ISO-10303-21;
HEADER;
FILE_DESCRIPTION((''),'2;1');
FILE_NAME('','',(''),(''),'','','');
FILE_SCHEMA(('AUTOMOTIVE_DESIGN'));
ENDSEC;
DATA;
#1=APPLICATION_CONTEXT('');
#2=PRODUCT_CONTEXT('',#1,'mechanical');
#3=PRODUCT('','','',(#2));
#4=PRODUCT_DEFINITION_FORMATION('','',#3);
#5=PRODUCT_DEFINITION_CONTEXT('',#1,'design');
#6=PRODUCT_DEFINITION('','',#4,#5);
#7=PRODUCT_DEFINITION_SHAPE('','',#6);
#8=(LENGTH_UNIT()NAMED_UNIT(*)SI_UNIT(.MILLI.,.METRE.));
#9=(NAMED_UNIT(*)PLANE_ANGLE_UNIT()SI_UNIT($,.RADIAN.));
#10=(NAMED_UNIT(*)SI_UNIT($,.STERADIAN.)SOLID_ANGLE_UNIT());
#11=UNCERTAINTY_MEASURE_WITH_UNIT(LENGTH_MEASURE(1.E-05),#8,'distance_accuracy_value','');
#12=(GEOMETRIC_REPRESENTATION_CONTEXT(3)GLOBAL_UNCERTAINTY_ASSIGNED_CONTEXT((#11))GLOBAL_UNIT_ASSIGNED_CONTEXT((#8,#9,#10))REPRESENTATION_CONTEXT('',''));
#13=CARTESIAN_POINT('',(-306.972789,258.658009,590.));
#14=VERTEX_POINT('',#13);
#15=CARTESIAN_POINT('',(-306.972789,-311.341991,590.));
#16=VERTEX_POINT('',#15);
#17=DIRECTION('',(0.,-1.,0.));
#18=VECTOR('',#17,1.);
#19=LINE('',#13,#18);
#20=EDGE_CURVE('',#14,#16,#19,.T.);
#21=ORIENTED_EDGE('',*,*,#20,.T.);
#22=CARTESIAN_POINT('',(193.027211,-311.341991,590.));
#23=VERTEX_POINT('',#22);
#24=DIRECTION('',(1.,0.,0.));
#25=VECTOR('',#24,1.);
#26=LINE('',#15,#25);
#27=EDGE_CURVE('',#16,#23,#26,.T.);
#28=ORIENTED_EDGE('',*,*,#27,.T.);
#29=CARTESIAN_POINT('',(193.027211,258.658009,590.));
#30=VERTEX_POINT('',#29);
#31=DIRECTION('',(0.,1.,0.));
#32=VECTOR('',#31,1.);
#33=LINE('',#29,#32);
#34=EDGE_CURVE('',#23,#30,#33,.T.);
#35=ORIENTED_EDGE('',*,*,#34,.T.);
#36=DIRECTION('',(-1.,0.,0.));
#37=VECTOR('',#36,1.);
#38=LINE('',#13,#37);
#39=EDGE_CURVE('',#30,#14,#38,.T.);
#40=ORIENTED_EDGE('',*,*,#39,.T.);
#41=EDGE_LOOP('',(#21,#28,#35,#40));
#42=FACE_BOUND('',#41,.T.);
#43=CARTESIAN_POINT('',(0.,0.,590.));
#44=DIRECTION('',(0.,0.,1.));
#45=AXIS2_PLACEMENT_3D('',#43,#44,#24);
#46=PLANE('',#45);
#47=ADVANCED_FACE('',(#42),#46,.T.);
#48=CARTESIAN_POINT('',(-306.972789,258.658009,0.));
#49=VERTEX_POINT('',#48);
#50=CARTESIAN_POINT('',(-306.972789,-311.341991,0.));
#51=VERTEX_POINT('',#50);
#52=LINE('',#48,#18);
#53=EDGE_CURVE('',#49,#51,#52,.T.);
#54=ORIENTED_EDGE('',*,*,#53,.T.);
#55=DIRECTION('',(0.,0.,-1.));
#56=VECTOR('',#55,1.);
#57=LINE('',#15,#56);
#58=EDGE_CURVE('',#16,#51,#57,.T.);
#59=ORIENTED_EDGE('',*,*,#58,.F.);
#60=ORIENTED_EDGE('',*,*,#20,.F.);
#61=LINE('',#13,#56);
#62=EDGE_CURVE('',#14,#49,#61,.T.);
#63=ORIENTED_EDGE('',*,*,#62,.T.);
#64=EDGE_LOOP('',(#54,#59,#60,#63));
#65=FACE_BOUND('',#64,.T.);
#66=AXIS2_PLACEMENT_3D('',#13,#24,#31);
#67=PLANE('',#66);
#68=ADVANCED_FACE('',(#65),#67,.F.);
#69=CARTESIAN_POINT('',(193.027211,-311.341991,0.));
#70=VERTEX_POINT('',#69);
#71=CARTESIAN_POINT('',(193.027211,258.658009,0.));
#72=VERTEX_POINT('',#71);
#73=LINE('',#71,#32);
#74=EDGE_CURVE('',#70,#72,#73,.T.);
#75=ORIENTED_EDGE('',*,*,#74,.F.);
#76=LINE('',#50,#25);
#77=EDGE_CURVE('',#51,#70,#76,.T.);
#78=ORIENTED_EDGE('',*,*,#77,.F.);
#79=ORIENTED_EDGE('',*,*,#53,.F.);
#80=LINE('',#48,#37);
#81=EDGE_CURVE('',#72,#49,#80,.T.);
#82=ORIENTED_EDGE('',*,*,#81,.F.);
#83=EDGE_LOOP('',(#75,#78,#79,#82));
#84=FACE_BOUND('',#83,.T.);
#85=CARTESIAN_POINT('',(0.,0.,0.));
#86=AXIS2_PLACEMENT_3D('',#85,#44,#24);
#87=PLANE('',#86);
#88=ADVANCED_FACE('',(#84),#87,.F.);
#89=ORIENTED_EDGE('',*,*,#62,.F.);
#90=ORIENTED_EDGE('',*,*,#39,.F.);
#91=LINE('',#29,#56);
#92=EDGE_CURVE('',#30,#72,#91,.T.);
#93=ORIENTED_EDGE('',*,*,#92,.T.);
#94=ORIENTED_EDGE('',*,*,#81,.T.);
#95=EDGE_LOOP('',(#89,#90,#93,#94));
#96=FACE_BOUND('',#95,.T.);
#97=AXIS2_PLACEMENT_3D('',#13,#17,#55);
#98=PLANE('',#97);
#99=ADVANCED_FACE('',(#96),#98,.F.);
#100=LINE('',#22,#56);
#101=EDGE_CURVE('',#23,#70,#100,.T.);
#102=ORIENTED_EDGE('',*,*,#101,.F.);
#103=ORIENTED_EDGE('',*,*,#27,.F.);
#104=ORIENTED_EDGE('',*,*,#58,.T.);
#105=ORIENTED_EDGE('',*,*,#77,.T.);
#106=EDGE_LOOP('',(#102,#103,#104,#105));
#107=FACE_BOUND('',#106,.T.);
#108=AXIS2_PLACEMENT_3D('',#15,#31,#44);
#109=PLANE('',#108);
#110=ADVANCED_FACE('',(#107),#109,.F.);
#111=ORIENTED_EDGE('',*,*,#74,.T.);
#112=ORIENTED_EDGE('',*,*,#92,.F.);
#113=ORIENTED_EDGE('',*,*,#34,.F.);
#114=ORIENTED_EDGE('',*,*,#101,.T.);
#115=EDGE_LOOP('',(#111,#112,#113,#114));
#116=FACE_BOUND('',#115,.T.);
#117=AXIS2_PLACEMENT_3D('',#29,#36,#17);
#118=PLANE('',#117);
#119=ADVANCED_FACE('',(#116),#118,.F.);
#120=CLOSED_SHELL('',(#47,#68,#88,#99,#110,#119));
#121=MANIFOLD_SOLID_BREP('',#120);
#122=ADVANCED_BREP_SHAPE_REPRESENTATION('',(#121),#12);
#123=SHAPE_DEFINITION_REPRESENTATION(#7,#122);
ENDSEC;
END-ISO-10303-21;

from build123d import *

# Parameters (mm, degrees)
SKETCH_1_W      = 500
SKETCH_1_H      = 570
EXTRUDE_1_DEPTH = 590


with BuildPart() as part:
    # 草圖1 → 填料-伸長1 (new body)
    with BuildSketch(Plane.XY):
        with Locations((-56.972789116, -26.341991342)):
            Rectangle(SKETCH_1_W, SKETCH_1_H)
    extrude(amount=EXTRUDE_1_DEPTH)


solid = part.part
